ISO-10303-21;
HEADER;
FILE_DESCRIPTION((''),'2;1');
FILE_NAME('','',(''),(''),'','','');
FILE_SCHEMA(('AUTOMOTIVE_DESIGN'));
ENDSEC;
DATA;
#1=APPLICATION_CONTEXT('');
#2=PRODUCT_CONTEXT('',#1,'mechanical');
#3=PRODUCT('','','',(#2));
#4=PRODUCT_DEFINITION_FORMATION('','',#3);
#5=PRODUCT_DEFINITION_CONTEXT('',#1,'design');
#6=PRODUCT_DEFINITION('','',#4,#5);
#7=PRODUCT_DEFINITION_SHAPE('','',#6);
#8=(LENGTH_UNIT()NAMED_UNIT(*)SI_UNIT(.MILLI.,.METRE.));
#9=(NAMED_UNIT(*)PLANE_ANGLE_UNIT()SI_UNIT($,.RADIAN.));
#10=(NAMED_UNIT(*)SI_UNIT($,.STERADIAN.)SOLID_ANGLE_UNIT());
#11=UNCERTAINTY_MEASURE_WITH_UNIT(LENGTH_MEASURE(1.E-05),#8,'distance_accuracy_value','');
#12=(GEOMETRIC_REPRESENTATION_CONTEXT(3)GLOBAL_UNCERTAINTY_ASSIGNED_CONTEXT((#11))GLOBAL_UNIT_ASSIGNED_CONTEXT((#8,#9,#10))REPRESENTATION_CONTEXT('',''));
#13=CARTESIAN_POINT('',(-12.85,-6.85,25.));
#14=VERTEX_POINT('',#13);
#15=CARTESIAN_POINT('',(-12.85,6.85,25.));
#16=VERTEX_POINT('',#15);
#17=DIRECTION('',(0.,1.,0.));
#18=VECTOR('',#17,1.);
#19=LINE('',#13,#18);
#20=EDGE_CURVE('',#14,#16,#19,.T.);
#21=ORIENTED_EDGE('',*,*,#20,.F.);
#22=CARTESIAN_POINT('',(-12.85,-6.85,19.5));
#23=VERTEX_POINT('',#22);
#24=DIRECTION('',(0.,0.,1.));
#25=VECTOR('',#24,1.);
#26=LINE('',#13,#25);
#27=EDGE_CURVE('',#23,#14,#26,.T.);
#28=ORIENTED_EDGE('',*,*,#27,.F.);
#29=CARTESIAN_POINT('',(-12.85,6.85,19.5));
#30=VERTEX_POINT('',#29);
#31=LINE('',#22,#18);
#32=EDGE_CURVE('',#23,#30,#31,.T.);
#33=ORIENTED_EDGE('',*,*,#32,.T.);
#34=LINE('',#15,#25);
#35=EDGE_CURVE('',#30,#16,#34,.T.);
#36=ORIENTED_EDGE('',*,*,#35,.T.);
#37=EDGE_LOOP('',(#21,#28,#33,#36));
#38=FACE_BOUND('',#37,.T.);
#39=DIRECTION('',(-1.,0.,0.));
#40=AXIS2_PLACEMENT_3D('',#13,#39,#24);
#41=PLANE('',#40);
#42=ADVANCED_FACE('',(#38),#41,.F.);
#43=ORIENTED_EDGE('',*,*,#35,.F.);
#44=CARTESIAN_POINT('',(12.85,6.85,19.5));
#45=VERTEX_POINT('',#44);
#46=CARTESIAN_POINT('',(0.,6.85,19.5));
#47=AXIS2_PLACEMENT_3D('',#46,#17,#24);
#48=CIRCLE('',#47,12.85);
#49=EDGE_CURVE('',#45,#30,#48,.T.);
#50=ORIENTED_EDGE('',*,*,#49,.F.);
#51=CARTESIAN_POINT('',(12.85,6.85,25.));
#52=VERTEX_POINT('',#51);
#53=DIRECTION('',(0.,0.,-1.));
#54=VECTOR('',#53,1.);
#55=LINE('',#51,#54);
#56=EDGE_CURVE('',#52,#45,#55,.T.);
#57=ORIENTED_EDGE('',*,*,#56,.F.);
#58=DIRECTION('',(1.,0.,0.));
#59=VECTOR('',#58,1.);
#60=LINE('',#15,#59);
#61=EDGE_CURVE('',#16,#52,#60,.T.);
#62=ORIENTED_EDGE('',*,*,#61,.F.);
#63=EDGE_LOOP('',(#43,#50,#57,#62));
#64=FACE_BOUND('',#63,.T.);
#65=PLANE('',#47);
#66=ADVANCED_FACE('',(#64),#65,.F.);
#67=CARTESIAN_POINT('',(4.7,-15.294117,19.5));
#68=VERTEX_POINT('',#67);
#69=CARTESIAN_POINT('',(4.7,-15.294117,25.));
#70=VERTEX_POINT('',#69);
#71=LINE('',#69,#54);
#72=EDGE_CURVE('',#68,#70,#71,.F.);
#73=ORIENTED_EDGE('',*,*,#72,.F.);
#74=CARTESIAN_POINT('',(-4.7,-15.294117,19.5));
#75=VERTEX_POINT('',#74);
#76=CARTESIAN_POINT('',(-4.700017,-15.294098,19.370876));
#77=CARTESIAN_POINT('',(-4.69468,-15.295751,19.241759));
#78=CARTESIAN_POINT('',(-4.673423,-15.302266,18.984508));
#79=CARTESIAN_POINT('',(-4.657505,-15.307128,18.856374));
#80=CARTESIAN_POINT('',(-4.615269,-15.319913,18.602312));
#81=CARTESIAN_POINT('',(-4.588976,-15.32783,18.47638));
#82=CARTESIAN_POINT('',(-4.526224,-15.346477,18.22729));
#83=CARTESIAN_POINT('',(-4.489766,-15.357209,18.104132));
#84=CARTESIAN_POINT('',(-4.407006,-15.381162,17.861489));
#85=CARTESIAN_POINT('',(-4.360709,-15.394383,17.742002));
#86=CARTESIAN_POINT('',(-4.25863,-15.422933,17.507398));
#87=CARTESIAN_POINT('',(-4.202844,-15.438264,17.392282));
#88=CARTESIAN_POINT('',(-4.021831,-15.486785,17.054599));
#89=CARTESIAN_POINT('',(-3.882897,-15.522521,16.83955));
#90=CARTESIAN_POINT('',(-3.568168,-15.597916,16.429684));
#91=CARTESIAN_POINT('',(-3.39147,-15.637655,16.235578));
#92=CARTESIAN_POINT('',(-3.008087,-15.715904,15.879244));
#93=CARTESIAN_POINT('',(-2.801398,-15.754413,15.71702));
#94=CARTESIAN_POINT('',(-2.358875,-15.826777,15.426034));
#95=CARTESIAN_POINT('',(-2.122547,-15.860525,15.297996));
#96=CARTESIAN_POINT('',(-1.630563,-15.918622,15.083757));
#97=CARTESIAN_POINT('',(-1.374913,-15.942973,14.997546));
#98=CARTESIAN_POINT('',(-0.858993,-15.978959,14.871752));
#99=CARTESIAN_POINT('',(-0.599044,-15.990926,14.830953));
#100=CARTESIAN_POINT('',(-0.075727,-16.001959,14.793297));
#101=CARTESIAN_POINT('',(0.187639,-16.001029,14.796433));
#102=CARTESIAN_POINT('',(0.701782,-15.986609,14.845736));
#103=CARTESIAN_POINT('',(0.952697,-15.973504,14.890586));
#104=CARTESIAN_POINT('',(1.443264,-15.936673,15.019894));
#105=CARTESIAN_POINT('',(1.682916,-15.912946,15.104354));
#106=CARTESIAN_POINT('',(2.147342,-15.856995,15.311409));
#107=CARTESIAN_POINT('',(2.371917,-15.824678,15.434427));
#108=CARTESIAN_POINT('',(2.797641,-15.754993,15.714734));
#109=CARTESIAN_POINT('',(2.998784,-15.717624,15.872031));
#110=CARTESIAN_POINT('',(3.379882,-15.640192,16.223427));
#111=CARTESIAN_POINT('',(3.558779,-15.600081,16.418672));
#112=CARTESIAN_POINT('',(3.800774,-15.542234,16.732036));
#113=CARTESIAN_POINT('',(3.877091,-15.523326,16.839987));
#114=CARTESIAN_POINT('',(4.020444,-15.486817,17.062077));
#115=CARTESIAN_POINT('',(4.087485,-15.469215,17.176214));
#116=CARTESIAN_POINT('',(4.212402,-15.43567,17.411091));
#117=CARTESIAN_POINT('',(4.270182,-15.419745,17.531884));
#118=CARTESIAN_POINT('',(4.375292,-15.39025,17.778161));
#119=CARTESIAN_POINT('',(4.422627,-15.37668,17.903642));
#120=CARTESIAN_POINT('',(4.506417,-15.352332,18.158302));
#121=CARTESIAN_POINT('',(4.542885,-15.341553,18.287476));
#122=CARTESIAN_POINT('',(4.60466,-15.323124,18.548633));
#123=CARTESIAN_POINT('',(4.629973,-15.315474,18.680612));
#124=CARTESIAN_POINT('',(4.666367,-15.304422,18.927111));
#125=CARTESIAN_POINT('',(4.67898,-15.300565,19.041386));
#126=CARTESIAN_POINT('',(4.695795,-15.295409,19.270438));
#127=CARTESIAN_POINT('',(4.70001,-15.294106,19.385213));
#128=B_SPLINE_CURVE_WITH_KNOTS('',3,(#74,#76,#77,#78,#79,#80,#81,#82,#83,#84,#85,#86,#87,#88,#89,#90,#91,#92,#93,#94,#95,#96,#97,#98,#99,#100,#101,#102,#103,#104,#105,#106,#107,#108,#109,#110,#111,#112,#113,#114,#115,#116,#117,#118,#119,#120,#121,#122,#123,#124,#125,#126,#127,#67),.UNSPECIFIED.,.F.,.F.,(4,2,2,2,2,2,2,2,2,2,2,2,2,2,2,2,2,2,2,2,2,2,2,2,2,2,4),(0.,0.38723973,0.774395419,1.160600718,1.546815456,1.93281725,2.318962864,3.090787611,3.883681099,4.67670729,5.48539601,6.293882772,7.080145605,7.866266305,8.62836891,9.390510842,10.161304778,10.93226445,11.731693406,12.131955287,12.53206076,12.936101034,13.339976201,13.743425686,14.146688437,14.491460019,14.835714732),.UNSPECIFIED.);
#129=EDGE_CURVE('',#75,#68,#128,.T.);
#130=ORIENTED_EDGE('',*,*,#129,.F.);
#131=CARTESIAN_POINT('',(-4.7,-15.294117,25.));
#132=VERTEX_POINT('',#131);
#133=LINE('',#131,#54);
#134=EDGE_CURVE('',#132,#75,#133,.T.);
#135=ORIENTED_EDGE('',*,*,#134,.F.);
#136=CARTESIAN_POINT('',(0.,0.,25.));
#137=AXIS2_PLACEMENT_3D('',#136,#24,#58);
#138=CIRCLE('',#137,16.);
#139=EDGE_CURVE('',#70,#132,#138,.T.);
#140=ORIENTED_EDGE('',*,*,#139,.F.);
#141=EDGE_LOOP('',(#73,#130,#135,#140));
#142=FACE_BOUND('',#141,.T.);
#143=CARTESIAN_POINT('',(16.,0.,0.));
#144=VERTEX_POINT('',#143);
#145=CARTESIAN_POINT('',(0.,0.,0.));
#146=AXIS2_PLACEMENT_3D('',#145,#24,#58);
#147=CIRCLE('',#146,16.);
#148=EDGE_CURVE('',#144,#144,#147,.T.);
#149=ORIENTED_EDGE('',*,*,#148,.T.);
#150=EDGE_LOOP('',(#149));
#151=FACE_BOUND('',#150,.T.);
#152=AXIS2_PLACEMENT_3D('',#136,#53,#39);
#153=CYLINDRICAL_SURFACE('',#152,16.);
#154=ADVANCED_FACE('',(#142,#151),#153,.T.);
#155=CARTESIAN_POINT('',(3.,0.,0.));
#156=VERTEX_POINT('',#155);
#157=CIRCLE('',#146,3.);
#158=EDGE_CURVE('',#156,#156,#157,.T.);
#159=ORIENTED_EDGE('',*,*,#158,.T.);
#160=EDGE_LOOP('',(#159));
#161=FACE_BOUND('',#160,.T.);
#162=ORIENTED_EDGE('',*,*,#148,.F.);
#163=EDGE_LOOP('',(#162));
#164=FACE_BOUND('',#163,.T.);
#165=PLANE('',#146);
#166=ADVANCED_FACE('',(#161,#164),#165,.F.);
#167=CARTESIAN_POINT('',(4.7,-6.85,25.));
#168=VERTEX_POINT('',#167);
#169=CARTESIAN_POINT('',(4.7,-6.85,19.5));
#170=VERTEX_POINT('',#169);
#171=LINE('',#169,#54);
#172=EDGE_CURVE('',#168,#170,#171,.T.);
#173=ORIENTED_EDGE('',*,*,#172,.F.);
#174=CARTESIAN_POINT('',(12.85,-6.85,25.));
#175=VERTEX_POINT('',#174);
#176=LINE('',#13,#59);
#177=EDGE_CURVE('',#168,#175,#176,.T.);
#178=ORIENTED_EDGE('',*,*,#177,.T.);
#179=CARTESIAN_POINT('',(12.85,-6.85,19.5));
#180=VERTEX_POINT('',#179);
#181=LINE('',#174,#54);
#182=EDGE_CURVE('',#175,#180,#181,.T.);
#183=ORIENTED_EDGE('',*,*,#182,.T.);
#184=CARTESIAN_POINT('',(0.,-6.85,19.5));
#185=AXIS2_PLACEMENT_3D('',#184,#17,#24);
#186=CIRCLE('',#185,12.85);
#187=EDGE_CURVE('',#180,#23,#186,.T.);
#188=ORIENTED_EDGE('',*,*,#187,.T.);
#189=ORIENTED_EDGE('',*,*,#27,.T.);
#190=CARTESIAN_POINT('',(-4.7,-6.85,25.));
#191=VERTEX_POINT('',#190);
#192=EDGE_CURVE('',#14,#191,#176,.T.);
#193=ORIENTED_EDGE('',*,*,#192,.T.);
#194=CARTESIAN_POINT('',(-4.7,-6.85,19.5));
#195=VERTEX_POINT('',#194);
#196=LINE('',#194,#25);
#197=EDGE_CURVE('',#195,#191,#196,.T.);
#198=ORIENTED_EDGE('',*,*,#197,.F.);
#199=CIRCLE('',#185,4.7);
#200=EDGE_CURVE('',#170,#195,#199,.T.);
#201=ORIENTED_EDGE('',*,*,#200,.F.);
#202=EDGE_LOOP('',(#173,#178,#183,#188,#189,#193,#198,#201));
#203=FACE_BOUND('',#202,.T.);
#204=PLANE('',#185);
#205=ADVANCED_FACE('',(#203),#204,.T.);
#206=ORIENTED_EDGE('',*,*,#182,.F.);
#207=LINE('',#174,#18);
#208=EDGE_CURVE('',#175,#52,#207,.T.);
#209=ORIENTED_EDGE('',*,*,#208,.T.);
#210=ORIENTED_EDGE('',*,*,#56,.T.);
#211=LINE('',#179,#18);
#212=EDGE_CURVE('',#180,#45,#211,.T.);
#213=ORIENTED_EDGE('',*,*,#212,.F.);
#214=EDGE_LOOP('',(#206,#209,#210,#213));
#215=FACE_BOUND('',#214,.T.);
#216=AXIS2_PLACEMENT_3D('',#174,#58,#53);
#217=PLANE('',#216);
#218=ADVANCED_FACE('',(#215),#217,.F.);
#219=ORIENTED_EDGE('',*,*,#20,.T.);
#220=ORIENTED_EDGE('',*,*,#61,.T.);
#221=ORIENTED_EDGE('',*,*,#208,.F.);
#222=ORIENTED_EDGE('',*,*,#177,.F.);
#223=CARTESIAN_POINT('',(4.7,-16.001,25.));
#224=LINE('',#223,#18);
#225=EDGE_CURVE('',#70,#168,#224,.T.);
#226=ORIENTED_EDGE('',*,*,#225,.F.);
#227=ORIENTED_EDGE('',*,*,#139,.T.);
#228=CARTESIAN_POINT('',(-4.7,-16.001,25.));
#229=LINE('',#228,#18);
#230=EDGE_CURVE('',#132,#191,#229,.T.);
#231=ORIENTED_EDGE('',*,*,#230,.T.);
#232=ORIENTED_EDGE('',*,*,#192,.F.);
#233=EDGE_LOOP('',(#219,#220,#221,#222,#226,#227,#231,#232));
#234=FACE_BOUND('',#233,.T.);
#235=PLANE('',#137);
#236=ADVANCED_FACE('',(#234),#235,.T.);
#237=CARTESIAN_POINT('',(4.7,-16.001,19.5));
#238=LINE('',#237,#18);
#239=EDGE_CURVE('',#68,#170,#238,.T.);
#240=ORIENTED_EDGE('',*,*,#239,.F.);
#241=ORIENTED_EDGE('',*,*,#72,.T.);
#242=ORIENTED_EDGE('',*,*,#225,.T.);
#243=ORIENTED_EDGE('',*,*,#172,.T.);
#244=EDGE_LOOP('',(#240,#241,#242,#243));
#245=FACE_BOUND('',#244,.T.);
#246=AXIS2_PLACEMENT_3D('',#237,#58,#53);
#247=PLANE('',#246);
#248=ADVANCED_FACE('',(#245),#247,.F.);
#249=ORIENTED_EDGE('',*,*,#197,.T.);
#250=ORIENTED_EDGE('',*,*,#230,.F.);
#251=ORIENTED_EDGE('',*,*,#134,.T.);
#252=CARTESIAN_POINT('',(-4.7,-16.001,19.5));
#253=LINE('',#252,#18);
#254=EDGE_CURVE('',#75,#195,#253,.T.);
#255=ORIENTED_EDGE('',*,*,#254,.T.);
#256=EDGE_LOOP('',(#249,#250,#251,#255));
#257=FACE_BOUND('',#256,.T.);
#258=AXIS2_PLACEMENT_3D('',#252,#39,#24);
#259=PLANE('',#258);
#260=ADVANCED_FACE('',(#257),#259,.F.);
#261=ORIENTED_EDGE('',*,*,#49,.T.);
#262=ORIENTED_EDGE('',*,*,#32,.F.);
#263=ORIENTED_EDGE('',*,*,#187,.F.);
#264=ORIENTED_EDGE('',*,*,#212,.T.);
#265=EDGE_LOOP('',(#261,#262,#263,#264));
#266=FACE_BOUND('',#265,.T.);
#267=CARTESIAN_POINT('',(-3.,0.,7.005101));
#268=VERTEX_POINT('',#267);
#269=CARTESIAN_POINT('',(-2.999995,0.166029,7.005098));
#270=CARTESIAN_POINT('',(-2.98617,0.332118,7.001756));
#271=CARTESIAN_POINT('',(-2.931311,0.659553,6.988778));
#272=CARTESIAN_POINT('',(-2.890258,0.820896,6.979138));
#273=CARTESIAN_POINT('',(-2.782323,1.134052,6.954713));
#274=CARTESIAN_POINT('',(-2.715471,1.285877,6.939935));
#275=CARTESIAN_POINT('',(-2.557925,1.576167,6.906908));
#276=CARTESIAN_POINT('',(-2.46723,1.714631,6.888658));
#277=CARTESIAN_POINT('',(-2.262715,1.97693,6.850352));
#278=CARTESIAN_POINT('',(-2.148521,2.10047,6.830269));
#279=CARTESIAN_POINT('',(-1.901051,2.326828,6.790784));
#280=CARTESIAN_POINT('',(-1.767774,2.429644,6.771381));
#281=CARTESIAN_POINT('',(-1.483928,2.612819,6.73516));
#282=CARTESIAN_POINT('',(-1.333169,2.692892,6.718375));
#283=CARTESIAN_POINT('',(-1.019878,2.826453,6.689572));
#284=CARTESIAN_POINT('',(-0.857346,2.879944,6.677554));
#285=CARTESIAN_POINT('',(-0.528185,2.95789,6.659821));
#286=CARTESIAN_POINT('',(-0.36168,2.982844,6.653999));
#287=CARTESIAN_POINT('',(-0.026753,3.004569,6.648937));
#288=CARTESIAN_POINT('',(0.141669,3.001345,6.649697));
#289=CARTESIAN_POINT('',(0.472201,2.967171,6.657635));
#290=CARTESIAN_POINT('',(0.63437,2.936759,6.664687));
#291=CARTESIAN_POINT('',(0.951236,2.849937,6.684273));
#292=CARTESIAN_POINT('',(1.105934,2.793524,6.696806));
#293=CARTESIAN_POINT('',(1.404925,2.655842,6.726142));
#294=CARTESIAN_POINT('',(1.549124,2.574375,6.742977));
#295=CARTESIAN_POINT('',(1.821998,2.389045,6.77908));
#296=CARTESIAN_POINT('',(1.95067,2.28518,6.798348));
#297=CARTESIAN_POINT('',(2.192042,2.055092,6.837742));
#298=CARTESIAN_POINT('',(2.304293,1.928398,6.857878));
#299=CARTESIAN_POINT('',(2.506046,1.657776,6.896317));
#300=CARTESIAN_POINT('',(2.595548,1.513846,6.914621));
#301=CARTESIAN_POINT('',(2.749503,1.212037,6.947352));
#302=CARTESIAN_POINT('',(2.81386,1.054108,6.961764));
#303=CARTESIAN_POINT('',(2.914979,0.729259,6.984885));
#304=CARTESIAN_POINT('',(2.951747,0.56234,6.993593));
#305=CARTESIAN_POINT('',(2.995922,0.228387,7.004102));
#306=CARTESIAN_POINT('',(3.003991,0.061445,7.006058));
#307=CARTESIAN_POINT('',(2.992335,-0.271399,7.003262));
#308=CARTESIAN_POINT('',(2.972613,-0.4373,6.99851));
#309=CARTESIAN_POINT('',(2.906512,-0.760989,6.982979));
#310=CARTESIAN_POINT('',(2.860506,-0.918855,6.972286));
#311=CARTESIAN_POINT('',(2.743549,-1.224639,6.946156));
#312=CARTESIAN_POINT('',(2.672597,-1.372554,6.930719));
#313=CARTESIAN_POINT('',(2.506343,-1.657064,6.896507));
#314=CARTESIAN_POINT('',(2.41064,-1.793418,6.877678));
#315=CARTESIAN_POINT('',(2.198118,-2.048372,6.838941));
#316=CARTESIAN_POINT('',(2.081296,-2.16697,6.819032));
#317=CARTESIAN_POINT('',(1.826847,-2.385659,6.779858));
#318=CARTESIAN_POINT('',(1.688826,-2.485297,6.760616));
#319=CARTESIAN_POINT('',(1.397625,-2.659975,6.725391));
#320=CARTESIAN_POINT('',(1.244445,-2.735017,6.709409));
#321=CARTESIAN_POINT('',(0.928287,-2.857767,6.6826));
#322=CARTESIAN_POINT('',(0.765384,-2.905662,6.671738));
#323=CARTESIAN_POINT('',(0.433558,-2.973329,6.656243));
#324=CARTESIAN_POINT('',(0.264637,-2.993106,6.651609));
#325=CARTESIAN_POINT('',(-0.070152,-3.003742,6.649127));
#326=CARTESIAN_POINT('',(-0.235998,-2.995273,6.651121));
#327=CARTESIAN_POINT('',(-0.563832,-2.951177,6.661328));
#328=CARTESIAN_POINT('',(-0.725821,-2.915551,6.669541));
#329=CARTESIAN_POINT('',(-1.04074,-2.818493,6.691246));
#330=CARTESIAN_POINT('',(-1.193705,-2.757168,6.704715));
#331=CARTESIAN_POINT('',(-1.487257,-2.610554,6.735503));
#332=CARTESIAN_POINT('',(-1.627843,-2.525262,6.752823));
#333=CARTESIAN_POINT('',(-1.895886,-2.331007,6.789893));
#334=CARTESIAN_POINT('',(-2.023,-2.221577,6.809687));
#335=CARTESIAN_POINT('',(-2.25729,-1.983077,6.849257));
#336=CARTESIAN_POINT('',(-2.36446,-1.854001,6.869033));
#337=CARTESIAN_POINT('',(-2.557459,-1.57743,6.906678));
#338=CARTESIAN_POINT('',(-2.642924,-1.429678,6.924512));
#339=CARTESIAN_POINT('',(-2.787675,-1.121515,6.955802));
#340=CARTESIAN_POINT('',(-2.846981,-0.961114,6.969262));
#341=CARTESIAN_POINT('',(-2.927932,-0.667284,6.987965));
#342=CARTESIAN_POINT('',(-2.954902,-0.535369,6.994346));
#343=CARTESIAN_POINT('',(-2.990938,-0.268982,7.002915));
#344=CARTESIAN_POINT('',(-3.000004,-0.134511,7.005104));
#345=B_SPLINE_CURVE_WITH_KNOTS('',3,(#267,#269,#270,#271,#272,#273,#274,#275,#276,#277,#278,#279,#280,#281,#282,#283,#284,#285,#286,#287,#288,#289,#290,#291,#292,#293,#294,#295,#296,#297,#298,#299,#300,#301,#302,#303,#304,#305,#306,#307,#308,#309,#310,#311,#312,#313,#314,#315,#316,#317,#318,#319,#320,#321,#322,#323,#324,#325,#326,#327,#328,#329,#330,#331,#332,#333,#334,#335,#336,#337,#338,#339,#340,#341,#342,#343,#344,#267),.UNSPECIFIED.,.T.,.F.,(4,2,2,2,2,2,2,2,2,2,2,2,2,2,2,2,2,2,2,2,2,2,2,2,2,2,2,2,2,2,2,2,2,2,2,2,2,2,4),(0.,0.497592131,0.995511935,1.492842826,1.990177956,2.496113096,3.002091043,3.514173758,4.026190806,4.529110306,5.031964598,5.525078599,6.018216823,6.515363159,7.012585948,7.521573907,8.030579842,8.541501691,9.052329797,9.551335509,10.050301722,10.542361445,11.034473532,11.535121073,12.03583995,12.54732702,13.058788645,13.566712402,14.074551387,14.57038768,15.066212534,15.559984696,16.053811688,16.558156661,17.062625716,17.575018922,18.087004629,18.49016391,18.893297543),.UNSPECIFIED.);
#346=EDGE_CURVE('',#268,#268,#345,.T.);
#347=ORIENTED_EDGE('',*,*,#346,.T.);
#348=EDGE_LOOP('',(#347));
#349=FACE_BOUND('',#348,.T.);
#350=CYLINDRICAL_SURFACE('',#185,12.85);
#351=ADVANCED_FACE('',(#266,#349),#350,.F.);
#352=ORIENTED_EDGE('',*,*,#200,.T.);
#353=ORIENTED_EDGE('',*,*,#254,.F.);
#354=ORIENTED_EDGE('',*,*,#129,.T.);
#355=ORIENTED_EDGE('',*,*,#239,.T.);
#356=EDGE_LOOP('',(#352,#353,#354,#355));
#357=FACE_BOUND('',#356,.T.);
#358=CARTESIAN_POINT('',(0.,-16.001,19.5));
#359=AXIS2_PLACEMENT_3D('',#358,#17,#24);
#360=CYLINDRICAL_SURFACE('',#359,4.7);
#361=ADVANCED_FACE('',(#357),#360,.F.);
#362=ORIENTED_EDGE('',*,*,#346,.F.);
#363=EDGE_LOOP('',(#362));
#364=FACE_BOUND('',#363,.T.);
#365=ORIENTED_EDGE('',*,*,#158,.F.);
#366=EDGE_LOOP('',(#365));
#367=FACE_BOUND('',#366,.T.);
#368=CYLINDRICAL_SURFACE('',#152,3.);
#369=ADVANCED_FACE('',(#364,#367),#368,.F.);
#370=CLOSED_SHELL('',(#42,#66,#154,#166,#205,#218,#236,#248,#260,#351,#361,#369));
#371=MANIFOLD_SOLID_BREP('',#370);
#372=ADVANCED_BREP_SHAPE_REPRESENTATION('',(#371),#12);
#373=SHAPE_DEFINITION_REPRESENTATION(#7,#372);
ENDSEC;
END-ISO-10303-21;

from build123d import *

# Parameters (mm, degrees)
SKETCH1_R               = 16
SKETCH1_R_2             = 3
BOSS_EXTRUDE1_DEPTH     = 25
CUT_EXTRUDE1_DEPTH      = 6.85
CUT_EXTRUDE2_REACH      = 35.719
CUT_EXTRUDE2_END_RADIUS = 16


with BuildPart() as part:
    # Sketch1 → Boss-Extrude1 (new body)
    with BuildSketch(Plane.XY):
        Circle(SKETCH1_R)
        Circle(SKETCH1_R_2, mode=Mode.SUBTRACT)
    extrude(amount=BOSS_EXTRUDE1_DEPTH)

    # Sketch2 → Cut-Extrude1 (cut, symmetric)
    with BuildSketch(Plane(origin=(0, 0, 0), x_dir=(1, 0, 0), z_dir=(0, 1, 0))):
        with BuildLine():
            Line((-12.85, -25), (-12.85, -19.5))
            ThreePointArc((-12.85, -19.5), (0, -6.65), (12.85, -19.5))
            Line((12.85, -19.5), (12.85, -25))
            Line((12.85, -25), (-12.85, -25))
        make_face()
    extrude(amount=CUT_EXTRUDE1_DEPTH, both=True, mode=Mode.SUBTRACT)

    # Cut-Extrude2: up to this cylinder (the profile starts inside it)
    cut_extrude2_end = Plane(origin=(0, 0, 20.344451), z_dir=(0, 0, -1)) * Cylinder(CUT_EXTRUDE2_END_RADIUS, 104.438, mode=Mode.PRIVATE)
    # Sketch3 → Cut-Extrude2 (cut, up to the surface)
    with BuildSketch(Plane(origin=(0, 0, 0), x_dir=(1, 0, 0), z_dir=(0, 1, 0)), mode=Mode.PRIVATE) as cut_extrude2_sk1:
        with BuildLine():
            Line((-4.7, -19.5), (-4.7, -25))
            Line((-4.7, -25), (4.7, -25))
            Line((4.7, -25), (4.7, -19.5))
            ThreePointArc((4.7, -19.5), (0, -14.8), (-4.7, -19.5))
        make_face()
    cut_extrude2_tool1 = extrude(cut_extrude2_sk1.sketch, amount=-CUT_EXTRUDE2_REACH, mode=Mode.PRIVATE) & cut_extrude2_end
    add(cut_extrude2_tool1.solids().sort_by_distance((0, 0, 20.344451))[0], mode=Mode.SUBTRACT)


solid = part.part
